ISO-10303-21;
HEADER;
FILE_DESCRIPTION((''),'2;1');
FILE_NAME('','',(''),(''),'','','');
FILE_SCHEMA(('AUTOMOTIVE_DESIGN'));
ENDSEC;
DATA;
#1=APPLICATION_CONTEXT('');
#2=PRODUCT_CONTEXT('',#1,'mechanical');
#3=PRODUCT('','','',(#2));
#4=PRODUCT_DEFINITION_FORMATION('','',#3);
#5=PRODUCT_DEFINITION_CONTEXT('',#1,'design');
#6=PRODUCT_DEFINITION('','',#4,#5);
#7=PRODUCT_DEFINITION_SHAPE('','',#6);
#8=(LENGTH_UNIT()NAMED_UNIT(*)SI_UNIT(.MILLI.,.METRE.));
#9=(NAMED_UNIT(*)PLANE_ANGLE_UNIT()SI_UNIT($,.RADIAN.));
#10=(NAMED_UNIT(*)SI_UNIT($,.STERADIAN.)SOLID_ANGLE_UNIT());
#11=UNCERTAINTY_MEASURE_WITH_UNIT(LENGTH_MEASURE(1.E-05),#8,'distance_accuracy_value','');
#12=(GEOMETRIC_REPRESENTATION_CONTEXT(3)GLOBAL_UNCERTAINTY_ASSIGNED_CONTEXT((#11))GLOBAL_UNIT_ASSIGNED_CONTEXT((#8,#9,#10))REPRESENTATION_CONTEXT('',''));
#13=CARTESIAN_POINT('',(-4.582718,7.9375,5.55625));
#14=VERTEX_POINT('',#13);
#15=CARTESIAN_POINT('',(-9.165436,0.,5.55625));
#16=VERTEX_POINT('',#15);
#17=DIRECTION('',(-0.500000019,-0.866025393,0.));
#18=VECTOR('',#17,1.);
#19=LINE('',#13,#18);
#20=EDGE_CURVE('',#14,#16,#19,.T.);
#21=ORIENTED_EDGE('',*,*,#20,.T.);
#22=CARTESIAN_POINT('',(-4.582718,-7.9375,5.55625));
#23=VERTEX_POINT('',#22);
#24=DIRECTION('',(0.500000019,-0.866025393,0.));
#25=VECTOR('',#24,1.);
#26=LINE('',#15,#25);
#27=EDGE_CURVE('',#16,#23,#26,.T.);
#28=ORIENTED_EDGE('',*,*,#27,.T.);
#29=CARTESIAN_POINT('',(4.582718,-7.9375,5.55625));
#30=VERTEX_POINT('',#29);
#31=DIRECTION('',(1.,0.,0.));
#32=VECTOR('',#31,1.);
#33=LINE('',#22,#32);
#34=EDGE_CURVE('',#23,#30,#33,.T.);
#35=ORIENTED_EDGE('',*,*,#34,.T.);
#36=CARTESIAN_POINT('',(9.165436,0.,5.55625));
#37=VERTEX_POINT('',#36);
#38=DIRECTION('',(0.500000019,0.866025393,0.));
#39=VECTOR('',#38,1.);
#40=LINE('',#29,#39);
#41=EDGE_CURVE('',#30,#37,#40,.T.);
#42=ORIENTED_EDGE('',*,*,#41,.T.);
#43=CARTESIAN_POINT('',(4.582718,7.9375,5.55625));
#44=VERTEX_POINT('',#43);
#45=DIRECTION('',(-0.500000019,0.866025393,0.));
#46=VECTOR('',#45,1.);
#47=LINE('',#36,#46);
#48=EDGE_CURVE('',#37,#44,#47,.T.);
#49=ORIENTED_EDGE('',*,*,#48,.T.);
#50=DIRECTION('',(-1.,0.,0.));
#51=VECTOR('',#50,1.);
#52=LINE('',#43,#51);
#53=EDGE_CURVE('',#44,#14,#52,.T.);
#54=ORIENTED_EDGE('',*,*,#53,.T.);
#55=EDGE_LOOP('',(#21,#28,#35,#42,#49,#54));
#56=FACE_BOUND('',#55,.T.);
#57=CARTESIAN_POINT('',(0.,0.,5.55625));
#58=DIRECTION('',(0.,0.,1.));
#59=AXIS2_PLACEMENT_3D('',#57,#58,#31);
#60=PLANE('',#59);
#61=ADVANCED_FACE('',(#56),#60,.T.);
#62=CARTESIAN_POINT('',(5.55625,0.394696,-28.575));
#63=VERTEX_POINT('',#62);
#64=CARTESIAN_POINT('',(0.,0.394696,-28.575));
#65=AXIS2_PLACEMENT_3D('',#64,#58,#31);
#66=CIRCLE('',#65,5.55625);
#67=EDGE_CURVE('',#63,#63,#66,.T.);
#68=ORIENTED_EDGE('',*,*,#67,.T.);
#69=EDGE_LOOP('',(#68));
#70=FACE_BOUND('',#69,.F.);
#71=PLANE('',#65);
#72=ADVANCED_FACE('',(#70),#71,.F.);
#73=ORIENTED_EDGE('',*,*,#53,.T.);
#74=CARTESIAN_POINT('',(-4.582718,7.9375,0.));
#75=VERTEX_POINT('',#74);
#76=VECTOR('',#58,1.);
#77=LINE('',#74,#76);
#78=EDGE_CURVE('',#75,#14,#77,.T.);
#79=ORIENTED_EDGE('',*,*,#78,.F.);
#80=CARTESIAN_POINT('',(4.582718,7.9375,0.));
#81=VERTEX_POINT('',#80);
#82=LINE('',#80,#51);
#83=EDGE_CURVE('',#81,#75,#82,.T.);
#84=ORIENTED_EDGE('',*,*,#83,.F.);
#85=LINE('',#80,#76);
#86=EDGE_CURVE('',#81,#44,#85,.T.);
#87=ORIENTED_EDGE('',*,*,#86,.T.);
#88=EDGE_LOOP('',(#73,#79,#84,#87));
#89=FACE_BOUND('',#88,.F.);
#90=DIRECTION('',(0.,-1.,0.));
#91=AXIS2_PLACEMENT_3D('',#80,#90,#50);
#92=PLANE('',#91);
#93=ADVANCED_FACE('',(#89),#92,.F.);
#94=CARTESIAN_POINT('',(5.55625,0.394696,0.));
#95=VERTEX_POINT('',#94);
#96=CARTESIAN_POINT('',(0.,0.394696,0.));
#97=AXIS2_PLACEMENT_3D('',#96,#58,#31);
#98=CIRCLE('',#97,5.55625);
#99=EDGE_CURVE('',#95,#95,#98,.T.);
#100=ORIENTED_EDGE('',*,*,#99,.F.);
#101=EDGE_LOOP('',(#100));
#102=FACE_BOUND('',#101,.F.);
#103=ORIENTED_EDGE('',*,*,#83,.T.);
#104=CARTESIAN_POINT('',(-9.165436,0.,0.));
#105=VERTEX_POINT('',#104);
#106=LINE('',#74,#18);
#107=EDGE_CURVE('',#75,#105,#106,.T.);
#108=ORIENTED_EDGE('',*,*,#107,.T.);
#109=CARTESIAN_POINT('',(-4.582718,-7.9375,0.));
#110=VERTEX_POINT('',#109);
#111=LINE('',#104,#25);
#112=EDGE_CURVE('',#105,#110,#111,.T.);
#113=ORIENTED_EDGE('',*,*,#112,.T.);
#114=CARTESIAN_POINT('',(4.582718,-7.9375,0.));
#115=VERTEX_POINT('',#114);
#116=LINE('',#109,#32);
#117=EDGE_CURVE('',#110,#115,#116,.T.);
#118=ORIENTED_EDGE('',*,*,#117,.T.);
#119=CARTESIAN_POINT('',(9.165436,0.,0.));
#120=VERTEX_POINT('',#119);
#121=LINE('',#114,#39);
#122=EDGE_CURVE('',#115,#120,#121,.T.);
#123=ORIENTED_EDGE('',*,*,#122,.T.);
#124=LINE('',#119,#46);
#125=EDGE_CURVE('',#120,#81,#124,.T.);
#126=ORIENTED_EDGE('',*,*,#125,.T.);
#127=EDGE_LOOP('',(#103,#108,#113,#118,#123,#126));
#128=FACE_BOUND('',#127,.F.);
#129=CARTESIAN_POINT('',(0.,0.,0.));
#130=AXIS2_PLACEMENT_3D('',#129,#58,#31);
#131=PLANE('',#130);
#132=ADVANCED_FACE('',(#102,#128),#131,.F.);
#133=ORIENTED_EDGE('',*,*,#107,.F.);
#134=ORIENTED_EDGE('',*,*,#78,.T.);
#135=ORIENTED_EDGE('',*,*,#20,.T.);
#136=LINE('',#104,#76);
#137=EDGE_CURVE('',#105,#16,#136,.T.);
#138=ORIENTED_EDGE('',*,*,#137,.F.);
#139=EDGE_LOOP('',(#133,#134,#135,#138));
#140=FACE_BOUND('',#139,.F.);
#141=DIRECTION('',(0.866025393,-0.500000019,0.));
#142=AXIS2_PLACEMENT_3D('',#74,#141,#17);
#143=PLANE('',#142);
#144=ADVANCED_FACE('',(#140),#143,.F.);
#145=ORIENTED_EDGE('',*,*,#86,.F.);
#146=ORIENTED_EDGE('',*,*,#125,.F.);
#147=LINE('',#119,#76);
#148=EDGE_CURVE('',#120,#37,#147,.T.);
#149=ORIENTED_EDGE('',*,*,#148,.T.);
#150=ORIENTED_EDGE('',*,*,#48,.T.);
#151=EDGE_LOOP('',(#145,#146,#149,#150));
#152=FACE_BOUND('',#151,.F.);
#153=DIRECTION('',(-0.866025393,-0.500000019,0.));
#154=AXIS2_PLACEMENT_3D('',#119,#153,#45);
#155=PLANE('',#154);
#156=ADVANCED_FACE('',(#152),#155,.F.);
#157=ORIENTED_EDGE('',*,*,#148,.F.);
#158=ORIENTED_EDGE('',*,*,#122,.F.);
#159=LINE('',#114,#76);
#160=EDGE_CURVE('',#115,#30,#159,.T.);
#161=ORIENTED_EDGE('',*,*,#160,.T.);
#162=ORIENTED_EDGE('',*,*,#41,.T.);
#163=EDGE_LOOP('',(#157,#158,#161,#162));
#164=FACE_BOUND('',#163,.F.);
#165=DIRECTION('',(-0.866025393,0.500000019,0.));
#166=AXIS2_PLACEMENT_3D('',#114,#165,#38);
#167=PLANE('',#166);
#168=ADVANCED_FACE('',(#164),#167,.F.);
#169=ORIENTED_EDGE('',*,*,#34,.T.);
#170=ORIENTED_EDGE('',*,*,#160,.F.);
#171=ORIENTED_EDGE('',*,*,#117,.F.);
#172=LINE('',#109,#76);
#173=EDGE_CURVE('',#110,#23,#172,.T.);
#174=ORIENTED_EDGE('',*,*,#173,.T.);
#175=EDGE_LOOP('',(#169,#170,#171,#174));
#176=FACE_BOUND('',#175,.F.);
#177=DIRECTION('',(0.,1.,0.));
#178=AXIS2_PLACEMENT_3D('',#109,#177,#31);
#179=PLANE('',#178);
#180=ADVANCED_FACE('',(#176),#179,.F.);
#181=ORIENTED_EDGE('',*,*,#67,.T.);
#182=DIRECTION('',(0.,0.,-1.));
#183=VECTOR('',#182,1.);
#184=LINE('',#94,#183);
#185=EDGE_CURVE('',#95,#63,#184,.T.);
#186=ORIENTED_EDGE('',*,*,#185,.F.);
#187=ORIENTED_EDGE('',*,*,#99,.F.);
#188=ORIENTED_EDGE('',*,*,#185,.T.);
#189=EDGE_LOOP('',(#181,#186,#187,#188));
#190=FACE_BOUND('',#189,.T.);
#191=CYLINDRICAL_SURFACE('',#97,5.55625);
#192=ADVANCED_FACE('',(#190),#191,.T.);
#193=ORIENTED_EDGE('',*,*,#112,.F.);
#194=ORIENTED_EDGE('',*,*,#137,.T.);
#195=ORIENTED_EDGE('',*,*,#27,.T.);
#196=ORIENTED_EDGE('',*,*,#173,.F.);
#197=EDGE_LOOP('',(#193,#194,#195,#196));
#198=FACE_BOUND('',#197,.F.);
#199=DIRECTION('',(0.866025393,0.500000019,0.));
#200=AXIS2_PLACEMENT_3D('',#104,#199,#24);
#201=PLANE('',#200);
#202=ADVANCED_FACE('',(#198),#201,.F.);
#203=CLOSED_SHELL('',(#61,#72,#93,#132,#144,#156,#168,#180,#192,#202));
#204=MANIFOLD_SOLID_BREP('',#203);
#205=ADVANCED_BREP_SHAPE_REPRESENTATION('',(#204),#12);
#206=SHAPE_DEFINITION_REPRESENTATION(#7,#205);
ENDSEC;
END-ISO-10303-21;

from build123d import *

# Parameters (mm, degrees)
F2_DEPTH = 5.55625
F1_R     = 5.55625
F3_DEPTH = 28.575


with BuildPart() as f2:
    # F0 (on Top) → F2 (new body)
    with BuildSketch(Plane.XY):
        Polygon((4.582718, 7.9375), (-4.582718, 7.9375), (-9.165436, 0), (-4.582718, -7.9375), (4.582718, -7.9375), (9.165436, 0), align=None)
    extrude(amount=F2_DEPTH)

    # F1 (on Top) → F3 (join)
    with BuildSketch(Plane.XY):
        with Locations((0, 0.394696)):
            Circle(F1_R)
    extrude(amount=-F3_DEPTH)


solid = f2.part
